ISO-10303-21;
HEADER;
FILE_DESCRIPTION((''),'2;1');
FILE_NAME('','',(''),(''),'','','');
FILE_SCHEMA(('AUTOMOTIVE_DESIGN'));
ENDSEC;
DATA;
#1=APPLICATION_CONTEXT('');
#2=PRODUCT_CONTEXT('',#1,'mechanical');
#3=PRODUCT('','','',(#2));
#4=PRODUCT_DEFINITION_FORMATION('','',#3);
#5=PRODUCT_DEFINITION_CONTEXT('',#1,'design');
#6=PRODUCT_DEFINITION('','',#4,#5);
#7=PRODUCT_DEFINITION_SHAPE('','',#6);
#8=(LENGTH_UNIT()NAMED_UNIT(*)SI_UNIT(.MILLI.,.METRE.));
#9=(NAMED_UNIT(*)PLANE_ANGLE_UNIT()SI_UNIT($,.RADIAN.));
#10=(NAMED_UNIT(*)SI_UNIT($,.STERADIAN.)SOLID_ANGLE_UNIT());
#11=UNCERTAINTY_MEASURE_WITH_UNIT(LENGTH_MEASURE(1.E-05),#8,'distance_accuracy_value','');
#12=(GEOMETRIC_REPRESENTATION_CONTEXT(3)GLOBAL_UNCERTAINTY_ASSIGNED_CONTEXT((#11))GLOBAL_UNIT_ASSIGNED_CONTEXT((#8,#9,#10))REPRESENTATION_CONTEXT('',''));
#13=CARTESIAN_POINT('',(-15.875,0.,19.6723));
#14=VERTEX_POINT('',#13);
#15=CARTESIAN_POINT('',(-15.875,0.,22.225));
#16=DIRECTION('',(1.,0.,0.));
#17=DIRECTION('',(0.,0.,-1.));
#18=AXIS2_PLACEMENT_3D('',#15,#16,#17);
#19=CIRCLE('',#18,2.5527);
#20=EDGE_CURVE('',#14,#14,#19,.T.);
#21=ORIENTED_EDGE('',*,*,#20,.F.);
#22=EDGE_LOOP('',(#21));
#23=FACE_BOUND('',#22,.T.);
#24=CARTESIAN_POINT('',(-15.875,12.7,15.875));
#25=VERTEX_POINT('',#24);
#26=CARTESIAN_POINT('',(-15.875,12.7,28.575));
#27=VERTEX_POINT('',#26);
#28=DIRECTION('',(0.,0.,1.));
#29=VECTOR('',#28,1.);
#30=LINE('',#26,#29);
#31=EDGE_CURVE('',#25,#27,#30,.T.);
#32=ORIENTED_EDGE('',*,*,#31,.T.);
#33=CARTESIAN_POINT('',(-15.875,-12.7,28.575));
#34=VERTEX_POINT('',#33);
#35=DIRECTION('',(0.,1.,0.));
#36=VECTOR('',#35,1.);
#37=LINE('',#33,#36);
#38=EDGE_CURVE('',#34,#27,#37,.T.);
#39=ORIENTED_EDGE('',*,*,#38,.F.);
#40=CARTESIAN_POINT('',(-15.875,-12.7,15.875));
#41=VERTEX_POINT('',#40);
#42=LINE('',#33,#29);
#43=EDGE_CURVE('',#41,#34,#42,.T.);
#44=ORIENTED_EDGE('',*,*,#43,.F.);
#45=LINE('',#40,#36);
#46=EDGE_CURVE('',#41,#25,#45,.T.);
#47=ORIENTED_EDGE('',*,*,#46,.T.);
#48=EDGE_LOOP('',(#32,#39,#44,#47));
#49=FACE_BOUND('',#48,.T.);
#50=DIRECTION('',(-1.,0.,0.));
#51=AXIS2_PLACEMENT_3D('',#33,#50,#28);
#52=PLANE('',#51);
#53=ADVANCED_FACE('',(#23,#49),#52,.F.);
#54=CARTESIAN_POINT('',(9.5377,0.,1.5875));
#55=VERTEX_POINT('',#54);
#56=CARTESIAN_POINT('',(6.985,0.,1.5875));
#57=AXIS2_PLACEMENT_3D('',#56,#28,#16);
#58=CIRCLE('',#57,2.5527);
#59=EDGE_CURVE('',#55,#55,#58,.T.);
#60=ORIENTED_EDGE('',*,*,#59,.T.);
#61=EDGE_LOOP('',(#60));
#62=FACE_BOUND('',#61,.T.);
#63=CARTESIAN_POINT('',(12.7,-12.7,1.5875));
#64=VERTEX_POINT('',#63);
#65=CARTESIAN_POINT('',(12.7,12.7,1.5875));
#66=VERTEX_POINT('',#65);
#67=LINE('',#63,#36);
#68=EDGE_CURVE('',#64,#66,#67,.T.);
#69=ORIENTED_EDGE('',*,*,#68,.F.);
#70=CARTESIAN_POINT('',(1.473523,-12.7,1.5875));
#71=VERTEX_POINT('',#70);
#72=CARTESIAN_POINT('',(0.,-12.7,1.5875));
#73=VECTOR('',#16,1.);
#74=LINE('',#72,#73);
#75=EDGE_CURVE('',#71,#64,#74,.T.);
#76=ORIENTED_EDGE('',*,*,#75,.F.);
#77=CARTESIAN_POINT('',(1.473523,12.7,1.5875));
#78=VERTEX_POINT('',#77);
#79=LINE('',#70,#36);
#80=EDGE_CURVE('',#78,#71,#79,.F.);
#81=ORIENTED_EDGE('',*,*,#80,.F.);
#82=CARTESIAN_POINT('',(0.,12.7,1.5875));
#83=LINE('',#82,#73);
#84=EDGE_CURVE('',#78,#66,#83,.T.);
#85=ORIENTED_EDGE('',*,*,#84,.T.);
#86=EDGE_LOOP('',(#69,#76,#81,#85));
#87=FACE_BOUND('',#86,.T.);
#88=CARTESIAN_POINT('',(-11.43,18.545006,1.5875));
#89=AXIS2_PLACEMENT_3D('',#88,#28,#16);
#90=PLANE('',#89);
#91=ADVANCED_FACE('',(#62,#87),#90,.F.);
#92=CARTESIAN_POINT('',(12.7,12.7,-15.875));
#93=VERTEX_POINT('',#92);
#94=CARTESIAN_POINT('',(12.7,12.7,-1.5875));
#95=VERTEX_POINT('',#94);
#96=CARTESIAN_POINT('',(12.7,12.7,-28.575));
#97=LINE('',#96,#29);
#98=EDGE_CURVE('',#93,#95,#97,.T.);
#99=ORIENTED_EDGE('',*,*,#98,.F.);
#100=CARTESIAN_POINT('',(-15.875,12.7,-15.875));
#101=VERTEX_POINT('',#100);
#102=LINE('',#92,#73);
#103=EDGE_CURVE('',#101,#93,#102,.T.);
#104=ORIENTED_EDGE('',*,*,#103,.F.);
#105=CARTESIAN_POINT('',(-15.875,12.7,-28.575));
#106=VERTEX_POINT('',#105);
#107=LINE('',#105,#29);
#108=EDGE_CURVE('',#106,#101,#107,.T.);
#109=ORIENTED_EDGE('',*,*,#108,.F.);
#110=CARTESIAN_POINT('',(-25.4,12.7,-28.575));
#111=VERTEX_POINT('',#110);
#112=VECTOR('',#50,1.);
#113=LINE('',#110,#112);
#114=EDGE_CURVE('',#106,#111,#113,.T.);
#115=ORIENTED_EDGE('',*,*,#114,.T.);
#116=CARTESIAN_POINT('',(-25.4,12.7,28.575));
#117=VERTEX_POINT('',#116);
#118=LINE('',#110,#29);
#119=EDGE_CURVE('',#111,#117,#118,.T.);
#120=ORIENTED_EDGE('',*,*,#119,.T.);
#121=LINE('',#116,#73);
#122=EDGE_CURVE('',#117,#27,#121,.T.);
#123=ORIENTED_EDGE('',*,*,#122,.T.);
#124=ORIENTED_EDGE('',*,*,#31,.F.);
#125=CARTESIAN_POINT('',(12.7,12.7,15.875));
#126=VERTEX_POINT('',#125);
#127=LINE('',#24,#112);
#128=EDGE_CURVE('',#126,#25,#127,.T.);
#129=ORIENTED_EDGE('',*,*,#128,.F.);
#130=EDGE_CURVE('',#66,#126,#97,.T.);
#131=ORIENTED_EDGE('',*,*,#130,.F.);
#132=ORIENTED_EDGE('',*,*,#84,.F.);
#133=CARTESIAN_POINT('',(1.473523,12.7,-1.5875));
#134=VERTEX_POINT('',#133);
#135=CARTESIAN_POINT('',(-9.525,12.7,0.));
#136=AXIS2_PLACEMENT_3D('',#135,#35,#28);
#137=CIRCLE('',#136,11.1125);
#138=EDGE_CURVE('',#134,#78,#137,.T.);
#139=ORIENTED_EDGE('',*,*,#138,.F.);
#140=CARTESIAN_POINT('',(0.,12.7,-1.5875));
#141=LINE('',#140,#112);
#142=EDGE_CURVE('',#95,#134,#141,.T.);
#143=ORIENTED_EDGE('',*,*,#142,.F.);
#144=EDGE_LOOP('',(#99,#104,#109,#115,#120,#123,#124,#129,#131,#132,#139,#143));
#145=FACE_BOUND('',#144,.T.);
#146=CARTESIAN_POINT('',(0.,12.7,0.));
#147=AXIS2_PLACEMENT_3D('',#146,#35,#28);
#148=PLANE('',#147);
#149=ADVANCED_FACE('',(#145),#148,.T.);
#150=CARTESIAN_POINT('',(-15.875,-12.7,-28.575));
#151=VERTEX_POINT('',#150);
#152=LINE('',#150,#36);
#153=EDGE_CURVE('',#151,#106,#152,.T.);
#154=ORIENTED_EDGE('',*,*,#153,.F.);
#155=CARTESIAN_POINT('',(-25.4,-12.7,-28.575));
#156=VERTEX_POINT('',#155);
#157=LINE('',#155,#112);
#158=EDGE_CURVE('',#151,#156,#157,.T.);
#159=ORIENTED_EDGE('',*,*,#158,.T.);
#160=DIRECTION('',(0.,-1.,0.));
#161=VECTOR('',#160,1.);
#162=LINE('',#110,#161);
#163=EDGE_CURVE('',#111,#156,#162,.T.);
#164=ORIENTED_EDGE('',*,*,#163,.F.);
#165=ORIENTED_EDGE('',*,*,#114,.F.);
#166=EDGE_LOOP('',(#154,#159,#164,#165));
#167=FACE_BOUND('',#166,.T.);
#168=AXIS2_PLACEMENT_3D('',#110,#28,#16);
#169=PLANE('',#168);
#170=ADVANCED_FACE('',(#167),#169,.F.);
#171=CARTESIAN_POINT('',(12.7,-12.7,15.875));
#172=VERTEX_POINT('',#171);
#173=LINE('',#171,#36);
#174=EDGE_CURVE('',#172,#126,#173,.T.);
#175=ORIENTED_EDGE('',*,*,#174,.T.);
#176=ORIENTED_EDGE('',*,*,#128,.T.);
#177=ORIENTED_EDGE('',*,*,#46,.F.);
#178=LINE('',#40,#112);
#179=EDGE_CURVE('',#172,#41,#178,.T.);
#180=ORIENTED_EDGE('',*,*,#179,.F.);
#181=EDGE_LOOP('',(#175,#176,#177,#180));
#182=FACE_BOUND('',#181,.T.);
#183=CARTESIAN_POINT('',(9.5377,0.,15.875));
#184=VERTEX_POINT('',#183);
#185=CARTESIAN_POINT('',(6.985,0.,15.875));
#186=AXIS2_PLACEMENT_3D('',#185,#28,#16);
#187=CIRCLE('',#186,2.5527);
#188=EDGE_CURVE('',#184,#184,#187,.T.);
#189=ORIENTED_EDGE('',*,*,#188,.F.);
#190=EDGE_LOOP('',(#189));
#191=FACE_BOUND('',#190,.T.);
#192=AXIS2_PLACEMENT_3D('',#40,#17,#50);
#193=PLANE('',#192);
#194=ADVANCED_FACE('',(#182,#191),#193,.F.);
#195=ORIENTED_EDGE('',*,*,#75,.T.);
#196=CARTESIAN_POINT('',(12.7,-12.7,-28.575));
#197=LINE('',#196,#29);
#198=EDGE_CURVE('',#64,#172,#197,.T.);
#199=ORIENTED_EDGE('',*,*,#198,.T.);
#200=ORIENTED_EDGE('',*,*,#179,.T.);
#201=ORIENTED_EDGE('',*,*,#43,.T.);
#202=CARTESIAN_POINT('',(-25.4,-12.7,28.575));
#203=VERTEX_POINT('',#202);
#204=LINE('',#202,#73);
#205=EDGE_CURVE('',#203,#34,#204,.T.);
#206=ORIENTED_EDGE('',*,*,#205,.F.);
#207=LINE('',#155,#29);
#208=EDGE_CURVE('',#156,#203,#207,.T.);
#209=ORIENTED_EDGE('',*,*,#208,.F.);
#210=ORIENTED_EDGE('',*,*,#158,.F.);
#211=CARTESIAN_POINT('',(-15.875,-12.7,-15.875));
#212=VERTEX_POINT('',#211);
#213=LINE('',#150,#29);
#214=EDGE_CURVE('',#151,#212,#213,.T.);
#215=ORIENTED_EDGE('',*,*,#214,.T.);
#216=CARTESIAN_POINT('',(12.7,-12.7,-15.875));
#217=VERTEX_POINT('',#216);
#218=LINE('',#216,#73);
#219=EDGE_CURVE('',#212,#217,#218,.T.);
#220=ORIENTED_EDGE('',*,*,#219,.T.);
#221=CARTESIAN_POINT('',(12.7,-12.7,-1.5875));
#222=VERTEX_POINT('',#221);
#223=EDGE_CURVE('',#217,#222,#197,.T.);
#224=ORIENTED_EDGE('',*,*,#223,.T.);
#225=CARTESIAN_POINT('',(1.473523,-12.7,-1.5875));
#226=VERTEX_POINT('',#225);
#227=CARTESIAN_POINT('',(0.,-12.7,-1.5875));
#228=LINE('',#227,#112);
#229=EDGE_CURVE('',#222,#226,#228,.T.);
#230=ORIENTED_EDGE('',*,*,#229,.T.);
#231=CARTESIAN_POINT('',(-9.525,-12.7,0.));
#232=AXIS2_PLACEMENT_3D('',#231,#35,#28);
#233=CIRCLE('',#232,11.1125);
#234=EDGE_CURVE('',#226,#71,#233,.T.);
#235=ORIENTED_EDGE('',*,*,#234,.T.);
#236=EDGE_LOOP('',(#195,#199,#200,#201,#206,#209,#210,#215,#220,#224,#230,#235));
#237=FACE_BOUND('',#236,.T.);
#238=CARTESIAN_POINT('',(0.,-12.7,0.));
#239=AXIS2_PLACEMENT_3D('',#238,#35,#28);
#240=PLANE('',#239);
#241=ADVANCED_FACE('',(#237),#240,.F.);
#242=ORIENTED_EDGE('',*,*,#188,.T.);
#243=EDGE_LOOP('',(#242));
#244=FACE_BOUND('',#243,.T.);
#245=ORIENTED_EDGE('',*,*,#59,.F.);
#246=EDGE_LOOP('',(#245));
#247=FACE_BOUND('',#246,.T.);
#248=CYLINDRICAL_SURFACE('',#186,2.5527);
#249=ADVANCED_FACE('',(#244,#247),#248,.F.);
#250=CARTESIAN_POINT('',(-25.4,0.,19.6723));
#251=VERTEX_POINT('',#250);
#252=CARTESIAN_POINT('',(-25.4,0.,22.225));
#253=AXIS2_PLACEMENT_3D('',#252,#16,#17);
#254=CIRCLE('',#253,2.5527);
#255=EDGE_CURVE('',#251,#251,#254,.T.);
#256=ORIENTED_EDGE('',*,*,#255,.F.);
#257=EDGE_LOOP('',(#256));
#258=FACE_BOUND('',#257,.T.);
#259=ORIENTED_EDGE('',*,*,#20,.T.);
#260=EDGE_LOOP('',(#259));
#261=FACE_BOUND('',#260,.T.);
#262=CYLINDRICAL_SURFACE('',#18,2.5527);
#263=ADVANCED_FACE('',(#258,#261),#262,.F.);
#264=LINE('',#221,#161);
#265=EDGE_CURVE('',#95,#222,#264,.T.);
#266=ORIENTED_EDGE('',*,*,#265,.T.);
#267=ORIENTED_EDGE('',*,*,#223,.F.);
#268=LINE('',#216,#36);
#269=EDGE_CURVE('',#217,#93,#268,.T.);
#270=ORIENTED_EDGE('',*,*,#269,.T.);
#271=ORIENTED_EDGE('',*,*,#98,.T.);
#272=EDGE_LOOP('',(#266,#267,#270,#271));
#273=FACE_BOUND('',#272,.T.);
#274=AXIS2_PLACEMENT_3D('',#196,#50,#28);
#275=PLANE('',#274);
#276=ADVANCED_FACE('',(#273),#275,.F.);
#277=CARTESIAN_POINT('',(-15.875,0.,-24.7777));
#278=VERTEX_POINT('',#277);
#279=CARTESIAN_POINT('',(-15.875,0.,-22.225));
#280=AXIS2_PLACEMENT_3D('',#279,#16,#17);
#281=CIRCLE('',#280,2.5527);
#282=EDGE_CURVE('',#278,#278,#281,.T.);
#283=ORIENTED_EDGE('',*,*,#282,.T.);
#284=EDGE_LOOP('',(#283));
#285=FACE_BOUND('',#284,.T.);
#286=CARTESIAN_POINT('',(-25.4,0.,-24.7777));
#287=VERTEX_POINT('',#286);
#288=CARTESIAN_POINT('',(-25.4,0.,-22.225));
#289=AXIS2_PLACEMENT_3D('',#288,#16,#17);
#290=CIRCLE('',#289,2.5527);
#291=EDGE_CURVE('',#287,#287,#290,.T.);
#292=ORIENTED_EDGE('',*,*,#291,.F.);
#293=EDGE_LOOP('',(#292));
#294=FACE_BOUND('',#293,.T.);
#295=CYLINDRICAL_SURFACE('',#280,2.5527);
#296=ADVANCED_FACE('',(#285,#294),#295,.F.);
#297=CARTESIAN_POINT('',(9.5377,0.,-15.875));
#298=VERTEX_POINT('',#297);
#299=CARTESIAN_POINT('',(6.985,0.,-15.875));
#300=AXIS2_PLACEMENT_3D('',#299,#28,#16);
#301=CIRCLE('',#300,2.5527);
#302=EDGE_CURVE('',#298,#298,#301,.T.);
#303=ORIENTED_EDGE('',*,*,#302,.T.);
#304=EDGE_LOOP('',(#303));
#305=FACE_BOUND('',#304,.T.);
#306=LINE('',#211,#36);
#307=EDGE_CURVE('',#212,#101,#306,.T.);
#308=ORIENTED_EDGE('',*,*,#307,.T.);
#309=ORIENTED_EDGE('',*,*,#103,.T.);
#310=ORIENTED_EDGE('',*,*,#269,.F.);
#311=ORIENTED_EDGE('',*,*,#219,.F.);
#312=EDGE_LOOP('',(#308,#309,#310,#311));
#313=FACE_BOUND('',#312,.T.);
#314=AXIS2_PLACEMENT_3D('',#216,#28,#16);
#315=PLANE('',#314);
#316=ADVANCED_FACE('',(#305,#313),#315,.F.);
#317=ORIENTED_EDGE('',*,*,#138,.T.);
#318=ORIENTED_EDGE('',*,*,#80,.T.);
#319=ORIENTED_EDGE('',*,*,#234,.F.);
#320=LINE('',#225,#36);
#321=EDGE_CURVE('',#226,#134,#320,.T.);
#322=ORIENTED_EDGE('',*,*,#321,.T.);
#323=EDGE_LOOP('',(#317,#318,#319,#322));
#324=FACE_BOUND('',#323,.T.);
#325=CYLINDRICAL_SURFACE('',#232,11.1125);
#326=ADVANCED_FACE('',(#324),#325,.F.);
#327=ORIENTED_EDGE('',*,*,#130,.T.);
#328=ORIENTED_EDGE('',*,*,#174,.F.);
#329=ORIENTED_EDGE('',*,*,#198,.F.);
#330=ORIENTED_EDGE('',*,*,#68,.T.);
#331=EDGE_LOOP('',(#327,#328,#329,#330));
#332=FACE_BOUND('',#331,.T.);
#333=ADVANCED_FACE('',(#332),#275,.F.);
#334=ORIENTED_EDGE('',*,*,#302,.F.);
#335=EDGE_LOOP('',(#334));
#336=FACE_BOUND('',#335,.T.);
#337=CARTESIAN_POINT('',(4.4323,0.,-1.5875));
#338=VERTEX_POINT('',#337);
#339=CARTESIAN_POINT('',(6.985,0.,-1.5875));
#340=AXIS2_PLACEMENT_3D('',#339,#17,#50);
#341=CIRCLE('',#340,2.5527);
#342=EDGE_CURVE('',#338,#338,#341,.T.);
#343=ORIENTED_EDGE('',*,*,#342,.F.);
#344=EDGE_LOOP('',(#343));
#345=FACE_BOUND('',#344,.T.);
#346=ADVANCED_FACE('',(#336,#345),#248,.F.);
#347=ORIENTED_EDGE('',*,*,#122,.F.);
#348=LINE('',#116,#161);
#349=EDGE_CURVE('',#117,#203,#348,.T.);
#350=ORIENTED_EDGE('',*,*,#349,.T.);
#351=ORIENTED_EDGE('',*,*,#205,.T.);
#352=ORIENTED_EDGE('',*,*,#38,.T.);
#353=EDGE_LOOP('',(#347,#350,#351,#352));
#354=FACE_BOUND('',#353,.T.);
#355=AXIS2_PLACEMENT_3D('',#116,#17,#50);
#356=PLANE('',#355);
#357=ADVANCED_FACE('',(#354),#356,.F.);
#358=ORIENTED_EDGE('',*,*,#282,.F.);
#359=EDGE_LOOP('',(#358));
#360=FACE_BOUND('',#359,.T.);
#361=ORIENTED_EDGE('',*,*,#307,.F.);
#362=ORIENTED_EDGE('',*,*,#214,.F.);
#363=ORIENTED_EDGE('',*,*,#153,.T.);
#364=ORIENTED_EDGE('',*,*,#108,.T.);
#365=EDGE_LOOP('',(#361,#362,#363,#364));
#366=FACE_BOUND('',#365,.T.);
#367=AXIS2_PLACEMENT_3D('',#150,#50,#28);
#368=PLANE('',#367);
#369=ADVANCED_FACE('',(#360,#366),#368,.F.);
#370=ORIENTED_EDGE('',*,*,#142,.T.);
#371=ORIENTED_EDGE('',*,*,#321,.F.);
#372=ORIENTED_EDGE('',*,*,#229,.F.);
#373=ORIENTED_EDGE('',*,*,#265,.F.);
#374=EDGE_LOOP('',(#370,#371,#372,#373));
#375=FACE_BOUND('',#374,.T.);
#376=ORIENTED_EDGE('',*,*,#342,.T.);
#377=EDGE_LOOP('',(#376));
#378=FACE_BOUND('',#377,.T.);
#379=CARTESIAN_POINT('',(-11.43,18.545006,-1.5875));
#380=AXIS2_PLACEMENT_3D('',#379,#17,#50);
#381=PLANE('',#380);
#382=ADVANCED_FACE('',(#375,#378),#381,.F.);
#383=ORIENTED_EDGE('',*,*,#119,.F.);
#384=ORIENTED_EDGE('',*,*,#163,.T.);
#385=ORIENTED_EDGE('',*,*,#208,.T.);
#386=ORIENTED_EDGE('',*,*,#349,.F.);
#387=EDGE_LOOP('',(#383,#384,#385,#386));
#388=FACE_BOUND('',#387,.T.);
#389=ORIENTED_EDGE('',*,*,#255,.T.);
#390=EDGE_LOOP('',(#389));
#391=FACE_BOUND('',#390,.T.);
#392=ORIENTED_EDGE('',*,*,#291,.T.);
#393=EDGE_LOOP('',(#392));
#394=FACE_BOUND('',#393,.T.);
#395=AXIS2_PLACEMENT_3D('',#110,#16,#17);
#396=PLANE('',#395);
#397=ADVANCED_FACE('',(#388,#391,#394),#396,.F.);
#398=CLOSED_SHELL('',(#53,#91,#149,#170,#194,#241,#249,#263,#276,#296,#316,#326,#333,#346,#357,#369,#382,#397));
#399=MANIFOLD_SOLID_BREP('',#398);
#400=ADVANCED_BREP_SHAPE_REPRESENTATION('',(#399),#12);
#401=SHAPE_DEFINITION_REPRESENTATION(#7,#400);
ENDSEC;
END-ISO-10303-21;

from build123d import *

# Parameters (mm, degrees)
SKETCH1_W              = 50.8
SKETCH1_H              = 57.15
BOSS_EXTRUDE1_DEPTH    = 12.7
SKETCH2_R              = 11.1125
CUT_EXTRUDE1_DEPTH     = 46.900442536
SKETCH11_W             = 12.7
SKETCH11_H             = 57.15
CUT_EXTRUDE4_DEPTH     = 46.900442536
SKETCH3_W              = 28.575
SKETCH3_H              = 12.7
CUT_EXTRUDE2_DEPTH     = 46.900442536
F_10_CLEARANCE_HOLE1_D = 5.1054
SKETCH6_W              = 3.175
SKETCH6_H              = 37.090012852
CUT_EXTRUDE3_DEPTH     = 24.13
F_10_CLEARANCE_HOLE2_D = 5.1054


with BuildPart() as part:
    # Sketch1 → Boss-Extrude1 (new, symmetric)
    with BuildSketch(Plane(origin=(0, 0, 0), x_dir=(1, 0, 0), z_dir=(0, 1, 0))):
        Rectangle(SKETCH1_W, SKETCH1_H)
    extrude(amount=BOSS_EXTRUDE1_DEPTH, both=True)

    # Sketch2 → Cut-Extrude1 (cut, through all)
    with BuildSketch(Plane(origin=(0, 12.7, 0), x_dir=(1, 0, 0), z_dir=(0, 1, 0))):
        with Locations(Location((-9.525, 0, 0), (0, 0, 270))):
            Circle(SKETCH2_R)
    extrude(amount=-CUT_EXTRUDE1_DEPTH, mode=Mode.SUBTRACT)

    # Sketch11 → Cut-Extrude4 (cut, through all)
    with BuildSketch(Plane(origin=(0, 12.7, 0), x_dir=(1, 0, 0), z_dir=(0, 1, 0))):
        with Locations((19.05, 0)):
            Rectangle(SKETCH11_W, SKETCH11_H)
    extrude(amount=-CUT_EXTRUDE4_DEPTH, mode=Mode.SUBTRACT)

    # Sketch3 → Cut-Extrude2 (cut, through all)
    with BuildSketch(Plane(origin=(0, 12.7, 0), x_dir=(1, 0, 0), z_dir=(0, 1, 0))):
        with Locations((-1.5875, 22.225)):
            Rectangle(SKETCH3_W, SKETCH3_H)
        with Locations((-1.5875, -22.225)):
            Rectangle(SKETCH3_W, SKETCH3_H)
    extrude(amount=-CUT_EXTRUDE2_DEPTH, mode=Mode.SUBTRACT)

    # #10 Clearance Hole1 (through all)
    with Locations(Plane(origin=(-15.875, 0, 0), x_dir=(0, 0, -1), z_dir=(1, 0, 0))):
        with Locations((22.225, 0), (-22.225, 0)):
            Hole(F_10_CLEARANCE_HOLE1_D / 2)

    # Sketch6 → Cut-Extrude3 (cut)
    with BuildSketch(Plane(origin=(12.7, 0, 0), x_dir=(0, 0, -1), z_dir=(1, 0, 0))):
        Rectangle(SKETCH6_W, SKETCH6_H)
    extrude(amount=-CUT_EXTRUDE3_DEPTH, mode=Mode.SUBTRACT)

    # #10 Clearance Hole2 (through all)
    with Locations(Plane.XY.offset(15.875)):
        with Locations((6.985, 0)):
            Hole(F_10_CLEARANCE_HOLE2_D / 2)


solid = part.part
